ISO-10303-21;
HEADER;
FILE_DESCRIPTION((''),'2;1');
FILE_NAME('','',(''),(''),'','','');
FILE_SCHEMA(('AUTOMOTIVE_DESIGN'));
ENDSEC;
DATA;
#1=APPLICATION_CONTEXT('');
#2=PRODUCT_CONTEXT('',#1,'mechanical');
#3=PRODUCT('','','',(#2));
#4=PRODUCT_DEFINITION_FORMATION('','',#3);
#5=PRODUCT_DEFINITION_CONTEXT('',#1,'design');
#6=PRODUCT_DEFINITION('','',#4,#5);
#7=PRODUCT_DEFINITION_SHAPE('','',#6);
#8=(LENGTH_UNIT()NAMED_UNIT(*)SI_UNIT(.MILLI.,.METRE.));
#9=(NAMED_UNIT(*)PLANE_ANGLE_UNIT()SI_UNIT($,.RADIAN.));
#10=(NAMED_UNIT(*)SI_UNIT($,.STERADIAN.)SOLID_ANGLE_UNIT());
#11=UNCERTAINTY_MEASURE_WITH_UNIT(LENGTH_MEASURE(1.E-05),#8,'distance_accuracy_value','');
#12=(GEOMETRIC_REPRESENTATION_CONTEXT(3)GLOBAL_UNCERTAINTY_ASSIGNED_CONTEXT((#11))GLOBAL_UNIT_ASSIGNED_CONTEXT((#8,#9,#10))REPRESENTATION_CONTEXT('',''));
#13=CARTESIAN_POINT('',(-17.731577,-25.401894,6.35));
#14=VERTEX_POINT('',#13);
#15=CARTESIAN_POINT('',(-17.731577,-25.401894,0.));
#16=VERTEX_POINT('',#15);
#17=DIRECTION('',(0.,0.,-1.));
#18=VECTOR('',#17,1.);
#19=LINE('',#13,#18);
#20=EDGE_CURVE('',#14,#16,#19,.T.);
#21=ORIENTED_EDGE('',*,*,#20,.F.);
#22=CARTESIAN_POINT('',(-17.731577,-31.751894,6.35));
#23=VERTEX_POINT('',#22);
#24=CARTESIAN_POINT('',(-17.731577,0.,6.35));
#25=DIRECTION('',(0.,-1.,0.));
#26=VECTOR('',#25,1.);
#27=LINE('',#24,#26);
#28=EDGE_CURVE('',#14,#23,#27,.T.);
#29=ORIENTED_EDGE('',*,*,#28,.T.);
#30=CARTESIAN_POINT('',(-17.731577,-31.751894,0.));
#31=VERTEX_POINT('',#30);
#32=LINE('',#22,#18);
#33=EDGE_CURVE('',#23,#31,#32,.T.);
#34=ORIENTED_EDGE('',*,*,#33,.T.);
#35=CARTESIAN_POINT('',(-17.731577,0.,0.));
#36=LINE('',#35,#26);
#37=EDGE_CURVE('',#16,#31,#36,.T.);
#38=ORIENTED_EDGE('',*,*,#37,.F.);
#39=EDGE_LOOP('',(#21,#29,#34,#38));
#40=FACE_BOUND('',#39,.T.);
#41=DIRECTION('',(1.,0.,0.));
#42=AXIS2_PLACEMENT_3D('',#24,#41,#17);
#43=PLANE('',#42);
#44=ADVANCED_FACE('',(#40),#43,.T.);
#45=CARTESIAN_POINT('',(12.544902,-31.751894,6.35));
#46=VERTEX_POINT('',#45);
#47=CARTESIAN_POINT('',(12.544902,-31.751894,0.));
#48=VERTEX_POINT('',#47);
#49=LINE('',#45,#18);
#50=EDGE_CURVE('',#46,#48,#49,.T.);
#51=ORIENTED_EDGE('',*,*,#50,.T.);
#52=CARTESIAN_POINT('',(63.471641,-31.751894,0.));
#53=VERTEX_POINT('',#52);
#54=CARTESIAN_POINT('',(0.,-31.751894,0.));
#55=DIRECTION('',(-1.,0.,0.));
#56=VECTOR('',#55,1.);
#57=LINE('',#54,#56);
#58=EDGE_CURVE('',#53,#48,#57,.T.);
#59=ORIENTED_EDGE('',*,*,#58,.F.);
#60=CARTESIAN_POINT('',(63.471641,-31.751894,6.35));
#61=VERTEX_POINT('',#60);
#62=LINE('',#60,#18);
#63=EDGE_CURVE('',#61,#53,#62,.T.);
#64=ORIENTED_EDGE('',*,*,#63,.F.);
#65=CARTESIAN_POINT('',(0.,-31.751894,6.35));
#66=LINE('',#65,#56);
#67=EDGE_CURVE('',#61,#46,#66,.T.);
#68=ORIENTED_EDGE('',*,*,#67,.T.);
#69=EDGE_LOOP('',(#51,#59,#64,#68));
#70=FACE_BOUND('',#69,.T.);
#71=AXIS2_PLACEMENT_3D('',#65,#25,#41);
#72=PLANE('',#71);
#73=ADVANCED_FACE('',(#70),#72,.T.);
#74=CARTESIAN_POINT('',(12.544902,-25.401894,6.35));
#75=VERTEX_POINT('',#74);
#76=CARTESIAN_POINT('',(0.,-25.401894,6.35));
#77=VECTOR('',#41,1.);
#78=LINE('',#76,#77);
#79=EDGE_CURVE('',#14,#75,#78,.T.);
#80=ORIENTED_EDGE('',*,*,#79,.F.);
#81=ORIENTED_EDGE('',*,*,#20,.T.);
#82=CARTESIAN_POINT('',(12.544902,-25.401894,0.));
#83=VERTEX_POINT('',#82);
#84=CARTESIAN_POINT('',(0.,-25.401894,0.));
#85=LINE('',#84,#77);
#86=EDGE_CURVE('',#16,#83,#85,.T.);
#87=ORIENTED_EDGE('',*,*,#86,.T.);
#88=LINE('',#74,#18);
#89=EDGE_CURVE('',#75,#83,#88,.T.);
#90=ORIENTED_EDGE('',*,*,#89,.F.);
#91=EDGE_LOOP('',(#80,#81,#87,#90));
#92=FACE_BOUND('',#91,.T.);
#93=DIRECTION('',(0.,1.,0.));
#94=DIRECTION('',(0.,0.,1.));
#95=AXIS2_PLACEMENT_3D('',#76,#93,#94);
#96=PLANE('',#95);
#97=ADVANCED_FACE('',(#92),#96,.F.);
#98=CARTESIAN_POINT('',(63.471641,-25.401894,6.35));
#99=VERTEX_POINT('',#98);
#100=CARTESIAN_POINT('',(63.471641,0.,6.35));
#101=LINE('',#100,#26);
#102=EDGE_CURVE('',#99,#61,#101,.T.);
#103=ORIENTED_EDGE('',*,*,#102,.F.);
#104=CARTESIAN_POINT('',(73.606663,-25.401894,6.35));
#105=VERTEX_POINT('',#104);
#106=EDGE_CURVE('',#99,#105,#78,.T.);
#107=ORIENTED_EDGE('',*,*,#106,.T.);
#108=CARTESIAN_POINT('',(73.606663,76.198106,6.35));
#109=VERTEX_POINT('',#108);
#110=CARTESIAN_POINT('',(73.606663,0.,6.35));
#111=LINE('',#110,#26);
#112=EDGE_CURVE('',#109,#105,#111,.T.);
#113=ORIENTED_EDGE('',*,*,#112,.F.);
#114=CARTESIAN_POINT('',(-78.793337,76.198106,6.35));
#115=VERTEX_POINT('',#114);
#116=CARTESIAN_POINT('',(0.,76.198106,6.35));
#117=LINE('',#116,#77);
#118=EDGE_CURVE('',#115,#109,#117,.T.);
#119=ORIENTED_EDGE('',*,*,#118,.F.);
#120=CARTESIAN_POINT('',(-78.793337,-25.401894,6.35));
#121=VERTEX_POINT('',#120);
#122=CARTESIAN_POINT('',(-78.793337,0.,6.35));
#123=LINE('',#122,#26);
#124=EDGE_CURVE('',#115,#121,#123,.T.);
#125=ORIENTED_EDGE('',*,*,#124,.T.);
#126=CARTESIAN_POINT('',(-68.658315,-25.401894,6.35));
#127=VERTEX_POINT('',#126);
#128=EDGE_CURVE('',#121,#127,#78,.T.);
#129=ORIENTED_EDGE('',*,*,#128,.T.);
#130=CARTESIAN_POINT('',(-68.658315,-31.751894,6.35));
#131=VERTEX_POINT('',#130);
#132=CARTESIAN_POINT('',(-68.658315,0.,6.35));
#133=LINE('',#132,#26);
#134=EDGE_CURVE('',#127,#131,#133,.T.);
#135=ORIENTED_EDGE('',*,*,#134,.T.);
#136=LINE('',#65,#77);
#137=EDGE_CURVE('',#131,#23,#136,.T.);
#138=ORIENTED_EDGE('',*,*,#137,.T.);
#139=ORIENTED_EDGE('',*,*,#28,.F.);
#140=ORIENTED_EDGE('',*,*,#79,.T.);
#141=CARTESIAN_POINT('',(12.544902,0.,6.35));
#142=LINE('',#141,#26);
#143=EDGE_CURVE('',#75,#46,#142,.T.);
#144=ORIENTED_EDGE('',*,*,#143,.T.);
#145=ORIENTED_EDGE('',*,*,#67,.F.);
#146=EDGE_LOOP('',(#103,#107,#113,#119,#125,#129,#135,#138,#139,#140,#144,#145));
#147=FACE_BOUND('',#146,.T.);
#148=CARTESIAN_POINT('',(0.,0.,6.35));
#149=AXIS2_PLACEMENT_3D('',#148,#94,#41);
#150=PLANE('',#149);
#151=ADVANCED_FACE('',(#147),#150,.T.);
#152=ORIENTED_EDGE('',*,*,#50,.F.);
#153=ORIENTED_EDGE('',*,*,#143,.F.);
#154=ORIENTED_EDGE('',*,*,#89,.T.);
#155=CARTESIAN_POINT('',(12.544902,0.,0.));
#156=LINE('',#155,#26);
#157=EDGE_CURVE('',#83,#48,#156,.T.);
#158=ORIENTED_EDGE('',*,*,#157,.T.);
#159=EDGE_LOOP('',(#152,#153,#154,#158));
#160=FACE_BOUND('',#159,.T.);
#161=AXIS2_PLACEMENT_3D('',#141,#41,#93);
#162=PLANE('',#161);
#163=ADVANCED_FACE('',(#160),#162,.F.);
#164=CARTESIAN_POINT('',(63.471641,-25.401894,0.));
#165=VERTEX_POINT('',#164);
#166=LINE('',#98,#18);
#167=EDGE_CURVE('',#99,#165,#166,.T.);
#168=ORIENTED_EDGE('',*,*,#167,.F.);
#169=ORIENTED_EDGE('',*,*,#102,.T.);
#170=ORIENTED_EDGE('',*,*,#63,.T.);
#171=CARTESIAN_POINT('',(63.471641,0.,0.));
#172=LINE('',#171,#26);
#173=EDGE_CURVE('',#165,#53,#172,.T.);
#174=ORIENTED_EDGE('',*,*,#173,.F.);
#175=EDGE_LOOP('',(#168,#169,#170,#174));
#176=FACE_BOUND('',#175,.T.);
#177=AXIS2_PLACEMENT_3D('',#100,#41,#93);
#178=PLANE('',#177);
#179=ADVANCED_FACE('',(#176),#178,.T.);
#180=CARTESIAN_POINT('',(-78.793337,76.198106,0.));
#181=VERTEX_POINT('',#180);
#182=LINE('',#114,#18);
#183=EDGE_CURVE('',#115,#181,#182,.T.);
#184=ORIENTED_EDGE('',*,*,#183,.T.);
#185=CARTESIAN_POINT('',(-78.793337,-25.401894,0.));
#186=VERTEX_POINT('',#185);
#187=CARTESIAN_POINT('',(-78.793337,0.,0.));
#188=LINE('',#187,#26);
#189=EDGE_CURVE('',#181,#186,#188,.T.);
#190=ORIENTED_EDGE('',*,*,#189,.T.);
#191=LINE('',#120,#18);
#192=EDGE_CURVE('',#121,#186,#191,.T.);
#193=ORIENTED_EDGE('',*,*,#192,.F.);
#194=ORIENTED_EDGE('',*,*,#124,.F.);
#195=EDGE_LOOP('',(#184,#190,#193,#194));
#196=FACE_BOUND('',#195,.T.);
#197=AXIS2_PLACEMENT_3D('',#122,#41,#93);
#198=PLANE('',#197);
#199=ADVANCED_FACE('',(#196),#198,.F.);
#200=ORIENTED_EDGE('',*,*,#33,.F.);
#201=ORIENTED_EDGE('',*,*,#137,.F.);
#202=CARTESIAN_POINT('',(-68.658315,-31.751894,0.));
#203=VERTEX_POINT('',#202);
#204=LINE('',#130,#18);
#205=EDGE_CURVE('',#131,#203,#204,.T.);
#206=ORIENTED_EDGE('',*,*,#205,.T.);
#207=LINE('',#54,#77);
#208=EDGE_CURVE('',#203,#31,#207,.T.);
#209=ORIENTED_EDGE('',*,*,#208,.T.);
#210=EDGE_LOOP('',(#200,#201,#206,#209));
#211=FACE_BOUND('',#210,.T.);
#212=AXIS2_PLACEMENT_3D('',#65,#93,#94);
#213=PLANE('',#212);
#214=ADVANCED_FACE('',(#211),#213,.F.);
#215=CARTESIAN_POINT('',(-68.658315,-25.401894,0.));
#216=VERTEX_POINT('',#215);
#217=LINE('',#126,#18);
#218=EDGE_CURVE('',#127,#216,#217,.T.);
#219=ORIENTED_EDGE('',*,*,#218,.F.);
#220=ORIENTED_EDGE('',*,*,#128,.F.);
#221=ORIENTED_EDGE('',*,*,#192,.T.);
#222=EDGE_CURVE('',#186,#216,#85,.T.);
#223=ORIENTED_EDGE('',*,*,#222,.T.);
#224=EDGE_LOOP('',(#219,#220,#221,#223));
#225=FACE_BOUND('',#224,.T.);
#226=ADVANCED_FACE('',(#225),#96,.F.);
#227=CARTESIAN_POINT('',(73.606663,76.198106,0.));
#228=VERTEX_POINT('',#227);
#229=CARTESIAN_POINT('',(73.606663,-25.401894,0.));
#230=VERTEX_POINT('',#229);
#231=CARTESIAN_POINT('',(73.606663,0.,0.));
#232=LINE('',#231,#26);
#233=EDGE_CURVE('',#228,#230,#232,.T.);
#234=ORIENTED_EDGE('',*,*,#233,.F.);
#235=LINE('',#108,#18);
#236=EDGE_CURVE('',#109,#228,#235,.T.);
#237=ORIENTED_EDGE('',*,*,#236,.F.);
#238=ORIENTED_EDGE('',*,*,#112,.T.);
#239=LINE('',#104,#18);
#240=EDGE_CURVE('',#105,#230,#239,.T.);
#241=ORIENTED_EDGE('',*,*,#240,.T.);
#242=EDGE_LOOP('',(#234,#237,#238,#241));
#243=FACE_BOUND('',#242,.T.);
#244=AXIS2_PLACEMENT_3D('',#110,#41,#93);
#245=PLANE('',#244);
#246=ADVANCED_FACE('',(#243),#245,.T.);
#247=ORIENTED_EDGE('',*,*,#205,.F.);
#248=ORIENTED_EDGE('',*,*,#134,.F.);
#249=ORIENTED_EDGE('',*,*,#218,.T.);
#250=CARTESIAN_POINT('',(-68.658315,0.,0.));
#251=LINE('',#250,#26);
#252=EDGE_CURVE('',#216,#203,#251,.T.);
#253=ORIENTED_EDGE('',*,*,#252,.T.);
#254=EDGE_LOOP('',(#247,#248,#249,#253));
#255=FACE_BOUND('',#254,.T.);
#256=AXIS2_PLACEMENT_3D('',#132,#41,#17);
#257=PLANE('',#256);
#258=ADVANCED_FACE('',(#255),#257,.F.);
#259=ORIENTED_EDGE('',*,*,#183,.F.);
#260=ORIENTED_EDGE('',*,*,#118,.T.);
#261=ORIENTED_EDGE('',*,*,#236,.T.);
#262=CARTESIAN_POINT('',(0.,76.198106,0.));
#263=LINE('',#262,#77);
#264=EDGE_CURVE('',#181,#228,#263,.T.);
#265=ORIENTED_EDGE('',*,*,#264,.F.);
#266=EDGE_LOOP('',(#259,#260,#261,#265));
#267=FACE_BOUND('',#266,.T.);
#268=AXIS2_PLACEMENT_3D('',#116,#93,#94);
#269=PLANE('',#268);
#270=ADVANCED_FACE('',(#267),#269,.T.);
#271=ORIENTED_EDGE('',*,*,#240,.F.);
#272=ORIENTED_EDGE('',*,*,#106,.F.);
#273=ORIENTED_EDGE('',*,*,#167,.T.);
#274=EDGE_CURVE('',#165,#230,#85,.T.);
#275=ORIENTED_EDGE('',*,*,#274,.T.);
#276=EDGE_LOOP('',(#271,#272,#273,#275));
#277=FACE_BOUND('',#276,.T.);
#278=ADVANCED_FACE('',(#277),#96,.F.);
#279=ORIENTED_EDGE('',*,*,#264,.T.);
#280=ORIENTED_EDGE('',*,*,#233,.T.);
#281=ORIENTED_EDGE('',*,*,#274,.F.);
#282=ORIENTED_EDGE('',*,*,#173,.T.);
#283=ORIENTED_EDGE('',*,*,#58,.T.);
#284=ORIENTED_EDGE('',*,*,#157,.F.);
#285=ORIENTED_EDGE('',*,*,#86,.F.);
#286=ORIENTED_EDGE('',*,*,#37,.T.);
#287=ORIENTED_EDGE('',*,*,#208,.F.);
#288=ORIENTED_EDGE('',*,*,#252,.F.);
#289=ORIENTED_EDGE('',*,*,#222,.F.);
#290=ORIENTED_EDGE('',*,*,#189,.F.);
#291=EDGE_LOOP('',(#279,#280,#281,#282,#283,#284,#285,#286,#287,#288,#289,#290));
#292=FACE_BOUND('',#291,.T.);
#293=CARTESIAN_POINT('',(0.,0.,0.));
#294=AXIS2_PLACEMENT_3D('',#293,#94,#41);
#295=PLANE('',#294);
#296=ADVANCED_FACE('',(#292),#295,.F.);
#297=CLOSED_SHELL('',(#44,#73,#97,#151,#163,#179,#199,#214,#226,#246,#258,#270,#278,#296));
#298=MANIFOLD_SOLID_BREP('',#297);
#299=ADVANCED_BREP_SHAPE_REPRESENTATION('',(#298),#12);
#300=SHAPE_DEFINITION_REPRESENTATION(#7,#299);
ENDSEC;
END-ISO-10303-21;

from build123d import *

# Parameters (mm, degrees)
SKETCH1_W           = 50.926738498
SKETCH1_H           = 6.35
SKETCH1_W_2         = 50.926738497
BOSS_EXTRUDE1_DEPTH = 6.35


with BuildPart() as part:
    # Sketch1 → Boss-Extrude1 (new body)
    with BuildSketch(Plane.XY):
        Polygon((-2.593337475, -25.401893638), (-2.593337475, 76.198106362), (-78.793337475, 76.198106362), (-78.793337475, -25.401893638), (-68.658315464, -25.401893638), (-17.731576967, -25.401893638), align=None)
        Polygon((73.606662525, 76.198106362), (-2.593337475, 76.198106362), (-2.593337475, -25.401893638), (12.544902016, -25.401893638), (63.471640514, -25.401893638), (73.606662525, -25.401893638), align=None)
        with Locations((38.008271265, -28.576893638)):
            Rectangle(SKETCH1_W, SKETCH1_H)
        with Locations((-43.194946215, -28.576893638)):
            Rectangle(SKETCH1_W_2, SKETCH1_H)
    extrude(amount=BOSS_EXTRUDE1_DEPTH)


solid = part.part
